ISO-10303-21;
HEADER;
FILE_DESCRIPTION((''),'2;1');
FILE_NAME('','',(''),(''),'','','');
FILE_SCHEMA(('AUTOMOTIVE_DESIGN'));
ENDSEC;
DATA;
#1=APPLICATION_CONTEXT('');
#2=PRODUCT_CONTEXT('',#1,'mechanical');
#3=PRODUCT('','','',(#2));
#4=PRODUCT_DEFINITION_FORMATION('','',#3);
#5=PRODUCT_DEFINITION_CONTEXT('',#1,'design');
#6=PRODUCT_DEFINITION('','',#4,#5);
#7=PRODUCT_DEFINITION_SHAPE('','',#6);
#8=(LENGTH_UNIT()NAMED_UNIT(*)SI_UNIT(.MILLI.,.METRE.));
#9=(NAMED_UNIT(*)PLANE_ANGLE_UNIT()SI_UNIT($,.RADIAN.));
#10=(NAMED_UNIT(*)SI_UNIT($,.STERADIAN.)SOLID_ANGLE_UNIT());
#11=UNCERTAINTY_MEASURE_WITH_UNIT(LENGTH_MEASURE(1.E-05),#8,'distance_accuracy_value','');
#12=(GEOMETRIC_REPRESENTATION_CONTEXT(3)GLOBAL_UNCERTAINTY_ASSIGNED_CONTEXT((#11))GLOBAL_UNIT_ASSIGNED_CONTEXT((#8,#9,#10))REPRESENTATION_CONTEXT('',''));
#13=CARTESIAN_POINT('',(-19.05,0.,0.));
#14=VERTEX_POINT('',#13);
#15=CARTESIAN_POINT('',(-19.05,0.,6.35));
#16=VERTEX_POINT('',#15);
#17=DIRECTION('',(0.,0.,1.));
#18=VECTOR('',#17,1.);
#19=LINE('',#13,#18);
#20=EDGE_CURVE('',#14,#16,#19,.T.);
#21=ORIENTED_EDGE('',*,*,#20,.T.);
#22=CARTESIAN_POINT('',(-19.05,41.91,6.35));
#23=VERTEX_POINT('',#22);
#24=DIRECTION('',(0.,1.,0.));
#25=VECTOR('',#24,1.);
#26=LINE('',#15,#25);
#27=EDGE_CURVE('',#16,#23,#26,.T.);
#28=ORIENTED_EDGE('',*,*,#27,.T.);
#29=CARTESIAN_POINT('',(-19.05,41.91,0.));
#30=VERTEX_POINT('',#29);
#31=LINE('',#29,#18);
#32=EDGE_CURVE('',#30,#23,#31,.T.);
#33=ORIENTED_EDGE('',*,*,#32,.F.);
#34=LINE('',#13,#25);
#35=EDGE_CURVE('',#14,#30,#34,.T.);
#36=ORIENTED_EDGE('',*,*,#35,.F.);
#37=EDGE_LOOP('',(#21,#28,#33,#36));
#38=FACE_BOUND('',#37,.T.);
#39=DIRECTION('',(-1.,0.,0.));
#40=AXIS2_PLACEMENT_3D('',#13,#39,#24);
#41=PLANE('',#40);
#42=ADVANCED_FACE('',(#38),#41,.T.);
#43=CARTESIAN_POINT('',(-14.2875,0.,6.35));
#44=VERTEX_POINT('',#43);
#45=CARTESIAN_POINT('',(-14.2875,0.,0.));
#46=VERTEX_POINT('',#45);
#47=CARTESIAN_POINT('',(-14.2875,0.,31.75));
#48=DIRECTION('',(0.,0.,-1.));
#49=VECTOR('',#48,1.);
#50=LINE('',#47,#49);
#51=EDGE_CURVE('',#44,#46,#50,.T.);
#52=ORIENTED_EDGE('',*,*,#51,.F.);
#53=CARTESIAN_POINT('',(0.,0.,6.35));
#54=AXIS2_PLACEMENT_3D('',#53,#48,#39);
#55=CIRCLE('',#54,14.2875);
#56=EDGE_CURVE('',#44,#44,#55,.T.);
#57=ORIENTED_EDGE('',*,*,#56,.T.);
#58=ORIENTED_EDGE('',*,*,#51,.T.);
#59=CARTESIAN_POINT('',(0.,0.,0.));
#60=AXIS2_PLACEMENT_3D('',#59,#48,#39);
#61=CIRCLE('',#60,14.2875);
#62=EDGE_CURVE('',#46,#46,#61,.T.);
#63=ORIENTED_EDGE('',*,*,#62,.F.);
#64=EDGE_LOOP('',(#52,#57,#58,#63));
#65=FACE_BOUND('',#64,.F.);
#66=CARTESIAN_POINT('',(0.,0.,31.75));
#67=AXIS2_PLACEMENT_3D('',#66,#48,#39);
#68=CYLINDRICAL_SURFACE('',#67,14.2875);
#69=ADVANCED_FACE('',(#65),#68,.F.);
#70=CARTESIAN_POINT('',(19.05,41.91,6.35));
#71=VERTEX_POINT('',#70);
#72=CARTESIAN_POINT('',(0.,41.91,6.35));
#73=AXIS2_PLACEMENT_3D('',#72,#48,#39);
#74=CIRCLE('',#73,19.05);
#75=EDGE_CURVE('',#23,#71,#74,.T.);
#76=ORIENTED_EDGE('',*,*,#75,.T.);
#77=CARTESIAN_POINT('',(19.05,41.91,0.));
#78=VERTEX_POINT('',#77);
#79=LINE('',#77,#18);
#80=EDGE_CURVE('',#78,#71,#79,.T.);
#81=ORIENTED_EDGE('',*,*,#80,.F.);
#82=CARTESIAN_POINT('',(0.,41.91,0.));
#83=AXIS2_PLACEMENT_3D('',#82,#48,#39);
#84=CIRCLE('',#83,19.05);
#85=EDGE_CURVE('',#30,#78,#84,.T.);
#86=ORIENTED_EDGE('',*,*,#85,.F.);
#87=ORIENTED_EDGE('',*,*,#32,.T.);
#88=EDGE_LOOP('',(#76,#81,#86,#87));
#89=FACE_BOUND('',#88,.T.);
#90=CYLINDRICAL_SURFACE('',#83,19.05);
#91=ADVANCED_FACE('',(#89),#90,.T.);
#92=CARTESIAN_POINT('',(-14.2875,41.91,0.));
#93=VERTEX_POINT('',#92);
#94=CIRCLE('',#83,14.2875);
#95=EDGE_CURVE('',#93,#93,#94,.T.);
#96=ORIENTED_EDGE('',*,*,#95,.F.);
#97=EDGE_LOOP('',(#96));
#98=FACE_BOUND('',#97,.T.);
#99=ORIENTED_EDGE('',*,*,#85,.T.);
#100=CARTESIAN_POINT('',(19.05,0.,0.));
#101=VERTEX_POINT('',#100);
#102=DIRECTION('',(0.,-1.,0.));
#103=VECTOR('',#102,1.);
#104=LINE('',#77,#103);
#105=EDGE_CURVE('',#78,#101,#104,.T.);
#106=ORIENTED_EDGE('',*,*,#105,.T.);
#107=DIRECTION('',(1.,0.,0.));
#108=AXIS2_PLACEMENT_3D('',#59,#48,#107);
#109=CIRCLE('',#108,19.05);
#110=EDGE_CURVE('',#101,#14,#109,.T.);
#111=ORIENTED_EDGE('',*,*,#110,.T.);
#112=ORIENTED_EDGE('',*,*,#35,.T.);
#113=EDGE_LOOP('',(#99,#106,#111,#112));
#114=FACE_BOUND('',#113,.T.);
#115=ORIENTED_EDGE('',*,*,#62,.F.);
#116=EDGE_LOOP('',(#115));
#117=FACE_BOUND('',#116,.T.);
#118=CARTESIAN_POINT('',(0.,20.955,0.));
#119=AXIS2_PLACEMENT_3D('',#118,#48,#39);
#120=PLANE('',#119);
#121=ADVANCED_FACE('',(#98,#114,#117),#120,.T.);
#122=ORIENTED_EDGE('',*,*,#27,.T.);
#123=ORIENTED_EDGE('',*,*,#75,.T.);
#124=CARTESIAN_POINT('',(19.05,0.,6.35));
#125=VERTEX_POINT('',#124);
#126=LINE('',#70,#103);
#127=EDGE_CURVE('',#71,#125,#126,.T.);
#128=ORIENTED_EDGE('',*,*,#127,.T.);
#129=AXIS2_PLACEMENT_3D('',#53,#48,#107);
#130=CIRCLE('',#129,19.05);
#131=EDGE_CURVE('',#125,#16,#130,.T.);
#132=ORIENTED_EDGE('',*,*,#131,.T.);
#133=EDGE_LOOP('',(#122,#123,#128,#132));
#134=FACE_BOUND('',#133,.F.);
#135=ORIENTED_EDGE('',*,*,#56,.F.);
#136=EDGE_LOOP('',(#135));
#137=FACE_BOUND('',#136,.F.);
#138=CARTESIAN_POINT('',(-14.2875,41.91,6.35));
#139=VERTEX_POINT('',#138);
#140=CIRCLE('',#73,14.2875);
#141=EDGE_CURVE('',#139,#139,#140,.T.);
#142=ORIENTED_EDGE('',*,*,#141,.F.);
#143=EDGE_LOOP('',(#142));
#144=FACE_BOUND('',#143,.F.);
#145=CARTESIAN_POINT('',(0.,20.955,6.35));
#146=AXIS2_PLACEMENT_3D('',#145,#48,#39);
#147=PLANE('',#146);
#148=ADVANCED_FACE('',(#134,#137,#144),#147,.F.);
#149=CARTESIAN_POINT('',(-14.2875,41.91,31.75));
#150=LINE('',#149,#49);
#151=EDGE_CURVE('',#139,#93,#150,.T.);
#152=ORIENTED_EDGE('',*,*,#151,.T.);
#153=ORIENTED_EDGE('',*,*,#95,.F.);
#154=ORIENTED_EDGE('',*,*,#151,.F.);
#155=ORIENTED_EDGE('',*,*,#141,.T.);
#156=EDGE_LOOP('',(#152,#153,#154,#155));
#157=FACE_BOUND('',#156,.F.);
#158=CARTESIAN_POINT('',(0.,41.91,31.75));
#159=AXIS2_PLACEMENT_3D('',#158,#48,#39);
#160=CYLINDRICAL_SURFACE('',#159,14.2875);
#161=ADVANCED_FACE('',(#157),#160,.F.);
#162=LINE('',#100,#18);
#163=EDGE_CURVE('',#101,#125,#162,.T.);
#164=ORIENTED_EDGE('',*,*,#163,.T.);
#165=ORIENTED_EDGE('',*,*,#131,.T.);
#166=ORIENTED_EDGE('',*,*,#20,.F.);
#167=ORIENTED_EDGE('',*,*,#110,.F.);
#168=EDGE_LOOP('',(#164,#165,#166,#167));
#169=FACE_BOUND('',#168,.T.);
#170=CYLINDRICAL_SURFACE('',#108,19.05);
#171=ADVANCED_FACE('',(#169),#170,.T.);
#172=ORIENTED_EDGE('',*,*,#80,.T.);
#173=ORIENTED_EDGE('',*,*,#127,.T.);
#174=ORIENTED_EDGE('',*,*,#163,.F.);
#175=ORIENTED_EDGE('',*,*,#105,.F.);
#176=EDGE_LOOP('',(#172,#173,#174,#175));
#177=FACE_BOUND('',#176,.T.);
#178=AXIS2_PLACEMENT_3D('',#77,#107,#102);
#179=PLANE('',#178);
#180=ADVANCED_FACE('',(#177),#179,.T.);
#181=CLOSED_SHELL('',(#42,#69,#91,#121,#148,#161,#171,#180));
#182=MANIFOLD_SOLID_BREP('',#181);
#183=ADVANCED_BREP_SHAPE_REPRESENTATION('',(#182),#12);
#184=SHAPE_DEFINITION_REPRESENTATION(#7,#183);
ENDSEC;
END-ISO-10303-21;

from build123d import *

# Parameters (mm, degrees)
BOSS_EXTRUDE1_DEPTH        = 6.35
F_1_1_DIAMETER_HOLE1_D     = 28.575
F_1_1_DIAMETER_HOLE1_DEPTH = 25.4
F_1_1_DIAMETER_HOLE1_TIP   = 8.584796094


with BuildPart() as part:
    # Sketch1 → Boss-Extrude1 (new body)
    with BuildSketch(Plane.XY):
        with BuildLine():
            Line((-19.05, 0), (-19.05, 41.91))
            ThreePointArc((-19.05, 41.91), (0, 60.96), (19.05, 41.91))
            Line((19.05, 41.91), (19.05, 0))
            ThreePointArc((19.05, 0), (0, -19.05), (-19.05, 0))
        make_face()
    extrude(amount=BOSS_EXTRUDE1_DEPTH)

    # 1 (1) Diameter Hole1
    with Locations(Plane.XY.offset(6.35)):
        with Locations((0, 41.91), (0, 0)):
            Hole(F_1_1_DIAMETER_HOLE1_D / 2, depth=F_1_1_DIAMETER_HOLE1_DEPTH)
            with Locations((0, 0, -(F_1_1_DIAMETER_HOLE1_DEPTH + F_1_1_DIAMETER_HOLE1_TIP / 2))):  # 118° drill point
                Cone(0, F_1_1_DIAMETER_HOLE1_D / 2, F_1_1_DIAMETER_HOLE1_TIP, mode=Mode.SUBTRACT)


solid = part.part
